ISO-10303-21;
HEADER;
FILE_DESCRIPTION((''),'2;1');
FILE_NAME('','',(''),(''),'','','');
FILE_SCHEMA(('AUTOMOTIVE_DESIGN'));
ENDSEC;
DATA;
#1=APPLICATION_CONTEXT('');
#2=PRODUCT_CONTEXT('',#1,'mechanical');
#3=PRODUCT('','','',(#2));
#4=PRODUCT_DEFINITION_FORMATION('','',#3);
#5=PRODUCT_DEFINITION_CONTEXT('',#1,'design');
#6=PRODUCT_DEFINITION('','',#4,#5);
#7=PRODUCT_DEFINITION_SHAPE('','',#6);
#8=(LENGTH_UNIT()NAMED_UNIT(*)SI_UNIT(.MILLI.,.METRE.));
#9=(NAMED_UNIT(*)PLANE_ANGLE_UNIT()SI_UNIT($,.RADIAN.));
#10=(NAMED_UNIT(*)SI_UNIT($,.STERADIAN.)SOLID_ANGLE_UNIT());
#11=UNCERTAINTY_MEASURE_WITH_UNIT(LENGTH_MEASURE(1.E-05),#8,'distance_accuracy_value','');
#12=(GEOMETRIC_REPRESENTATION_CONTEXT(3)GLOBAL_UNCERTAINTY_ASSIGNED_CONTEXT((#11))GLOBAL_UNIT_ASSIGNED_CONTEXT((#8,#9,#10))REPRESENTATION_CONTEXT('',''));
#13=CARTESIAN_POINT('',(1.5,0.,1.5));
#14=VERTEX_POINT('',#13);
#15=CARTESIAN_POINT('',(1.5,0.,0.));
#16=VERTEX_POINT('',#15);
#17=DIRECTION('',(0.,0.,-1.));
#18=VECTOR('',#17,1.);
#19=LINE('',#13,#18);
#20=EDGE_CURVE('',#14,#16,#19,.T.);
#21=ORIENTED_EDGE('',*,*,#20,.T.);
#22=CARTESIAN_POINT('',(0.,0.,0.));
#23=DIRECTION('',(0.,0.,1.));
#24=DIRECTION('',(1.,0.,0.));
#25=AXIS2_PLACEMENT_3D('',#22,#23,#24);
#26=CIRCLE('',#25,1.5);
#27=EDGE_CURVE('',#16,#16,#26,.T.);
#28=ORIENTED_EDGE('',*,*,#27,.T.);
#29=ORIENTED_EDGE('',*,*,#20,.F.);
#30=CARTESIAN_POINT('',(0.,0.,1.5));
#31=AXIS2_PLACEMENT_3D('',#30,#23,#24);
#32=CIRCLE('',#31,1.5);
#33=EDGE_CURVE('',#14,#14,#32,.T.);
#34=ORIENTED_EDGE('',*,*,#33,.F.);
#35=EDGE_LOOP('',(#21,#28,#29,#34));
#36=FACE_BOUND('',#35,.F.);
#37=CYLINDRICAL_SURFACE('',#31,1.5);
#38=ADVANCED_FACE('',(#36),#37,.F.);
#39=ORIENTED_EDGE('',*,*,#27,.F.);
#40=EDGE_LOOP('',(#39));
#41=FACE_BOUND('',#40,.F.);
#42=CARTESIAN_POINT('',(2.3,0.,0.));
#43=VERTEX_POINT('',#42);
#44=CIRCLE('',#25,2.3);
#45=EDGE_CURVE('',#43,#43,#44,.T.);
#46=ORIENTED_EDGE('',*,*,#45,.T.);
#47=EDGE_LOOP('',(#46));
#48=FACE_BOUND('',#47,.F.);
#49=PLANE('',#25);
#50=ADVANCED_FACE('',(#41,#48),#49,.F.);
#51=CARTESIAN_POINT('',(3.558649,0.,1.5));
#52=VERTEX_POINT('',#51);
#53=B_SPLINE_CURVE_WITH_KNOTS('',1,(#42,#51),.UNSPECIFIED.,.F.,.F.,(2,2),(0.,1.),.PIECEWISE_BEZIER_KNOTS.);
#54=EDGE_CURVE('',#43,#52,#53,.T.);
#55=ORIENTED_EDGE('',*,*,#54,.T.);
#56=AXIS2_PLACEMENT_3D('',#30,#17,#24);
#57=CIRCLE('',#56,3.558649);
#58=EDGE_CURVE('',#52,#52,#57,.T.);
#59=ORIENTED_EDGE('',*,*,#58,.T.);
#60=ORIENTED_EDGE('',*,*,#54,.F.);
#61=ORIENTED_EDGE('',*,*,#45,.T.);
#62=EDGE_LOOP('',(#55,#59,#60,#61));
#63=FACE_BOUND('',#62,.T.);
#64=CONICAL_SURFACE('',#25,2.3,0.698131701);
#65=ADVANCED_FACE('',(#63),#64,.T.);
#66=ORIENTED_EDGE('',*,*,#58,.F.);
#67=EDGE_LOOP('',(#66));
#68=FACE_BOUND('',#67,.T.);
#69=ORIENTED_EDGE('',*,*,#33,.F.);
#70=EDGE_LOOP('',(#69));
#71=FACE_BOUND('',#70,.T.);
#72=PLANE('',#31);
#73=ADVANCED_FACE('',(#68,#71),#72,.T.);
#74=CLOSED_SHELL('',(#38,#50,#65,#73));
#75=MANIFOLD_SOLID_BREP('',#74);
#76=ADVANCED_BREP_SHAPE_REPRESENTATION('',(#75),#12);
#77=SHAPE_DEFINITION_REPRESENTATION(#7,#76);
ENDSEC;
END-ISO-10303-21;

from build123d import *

# Parameters (mm, degrees)
F0_R     = 2.3
F1_DEPTH = 1.5
F1_TAPER = -40
F2_R     = 1.5
F3_DEPTH = 25


with BuildPart() as f1:
    # F0 (on Top) → F1 (new body)
    with BuildSketch(Plane.XY):
        Circle(F0_R)
    extrude(amount=F1_DEPTH, taper=F1_TAPER)

    # F2 (on face) → F3 (cut)
    with BuildSketch(Plane.XY.offset(1.5)):
        Circle(F2_R)
    extrude(amount=-F3_DEPTH, mode=Mode.SUBTRACT)


solid = f1.part
